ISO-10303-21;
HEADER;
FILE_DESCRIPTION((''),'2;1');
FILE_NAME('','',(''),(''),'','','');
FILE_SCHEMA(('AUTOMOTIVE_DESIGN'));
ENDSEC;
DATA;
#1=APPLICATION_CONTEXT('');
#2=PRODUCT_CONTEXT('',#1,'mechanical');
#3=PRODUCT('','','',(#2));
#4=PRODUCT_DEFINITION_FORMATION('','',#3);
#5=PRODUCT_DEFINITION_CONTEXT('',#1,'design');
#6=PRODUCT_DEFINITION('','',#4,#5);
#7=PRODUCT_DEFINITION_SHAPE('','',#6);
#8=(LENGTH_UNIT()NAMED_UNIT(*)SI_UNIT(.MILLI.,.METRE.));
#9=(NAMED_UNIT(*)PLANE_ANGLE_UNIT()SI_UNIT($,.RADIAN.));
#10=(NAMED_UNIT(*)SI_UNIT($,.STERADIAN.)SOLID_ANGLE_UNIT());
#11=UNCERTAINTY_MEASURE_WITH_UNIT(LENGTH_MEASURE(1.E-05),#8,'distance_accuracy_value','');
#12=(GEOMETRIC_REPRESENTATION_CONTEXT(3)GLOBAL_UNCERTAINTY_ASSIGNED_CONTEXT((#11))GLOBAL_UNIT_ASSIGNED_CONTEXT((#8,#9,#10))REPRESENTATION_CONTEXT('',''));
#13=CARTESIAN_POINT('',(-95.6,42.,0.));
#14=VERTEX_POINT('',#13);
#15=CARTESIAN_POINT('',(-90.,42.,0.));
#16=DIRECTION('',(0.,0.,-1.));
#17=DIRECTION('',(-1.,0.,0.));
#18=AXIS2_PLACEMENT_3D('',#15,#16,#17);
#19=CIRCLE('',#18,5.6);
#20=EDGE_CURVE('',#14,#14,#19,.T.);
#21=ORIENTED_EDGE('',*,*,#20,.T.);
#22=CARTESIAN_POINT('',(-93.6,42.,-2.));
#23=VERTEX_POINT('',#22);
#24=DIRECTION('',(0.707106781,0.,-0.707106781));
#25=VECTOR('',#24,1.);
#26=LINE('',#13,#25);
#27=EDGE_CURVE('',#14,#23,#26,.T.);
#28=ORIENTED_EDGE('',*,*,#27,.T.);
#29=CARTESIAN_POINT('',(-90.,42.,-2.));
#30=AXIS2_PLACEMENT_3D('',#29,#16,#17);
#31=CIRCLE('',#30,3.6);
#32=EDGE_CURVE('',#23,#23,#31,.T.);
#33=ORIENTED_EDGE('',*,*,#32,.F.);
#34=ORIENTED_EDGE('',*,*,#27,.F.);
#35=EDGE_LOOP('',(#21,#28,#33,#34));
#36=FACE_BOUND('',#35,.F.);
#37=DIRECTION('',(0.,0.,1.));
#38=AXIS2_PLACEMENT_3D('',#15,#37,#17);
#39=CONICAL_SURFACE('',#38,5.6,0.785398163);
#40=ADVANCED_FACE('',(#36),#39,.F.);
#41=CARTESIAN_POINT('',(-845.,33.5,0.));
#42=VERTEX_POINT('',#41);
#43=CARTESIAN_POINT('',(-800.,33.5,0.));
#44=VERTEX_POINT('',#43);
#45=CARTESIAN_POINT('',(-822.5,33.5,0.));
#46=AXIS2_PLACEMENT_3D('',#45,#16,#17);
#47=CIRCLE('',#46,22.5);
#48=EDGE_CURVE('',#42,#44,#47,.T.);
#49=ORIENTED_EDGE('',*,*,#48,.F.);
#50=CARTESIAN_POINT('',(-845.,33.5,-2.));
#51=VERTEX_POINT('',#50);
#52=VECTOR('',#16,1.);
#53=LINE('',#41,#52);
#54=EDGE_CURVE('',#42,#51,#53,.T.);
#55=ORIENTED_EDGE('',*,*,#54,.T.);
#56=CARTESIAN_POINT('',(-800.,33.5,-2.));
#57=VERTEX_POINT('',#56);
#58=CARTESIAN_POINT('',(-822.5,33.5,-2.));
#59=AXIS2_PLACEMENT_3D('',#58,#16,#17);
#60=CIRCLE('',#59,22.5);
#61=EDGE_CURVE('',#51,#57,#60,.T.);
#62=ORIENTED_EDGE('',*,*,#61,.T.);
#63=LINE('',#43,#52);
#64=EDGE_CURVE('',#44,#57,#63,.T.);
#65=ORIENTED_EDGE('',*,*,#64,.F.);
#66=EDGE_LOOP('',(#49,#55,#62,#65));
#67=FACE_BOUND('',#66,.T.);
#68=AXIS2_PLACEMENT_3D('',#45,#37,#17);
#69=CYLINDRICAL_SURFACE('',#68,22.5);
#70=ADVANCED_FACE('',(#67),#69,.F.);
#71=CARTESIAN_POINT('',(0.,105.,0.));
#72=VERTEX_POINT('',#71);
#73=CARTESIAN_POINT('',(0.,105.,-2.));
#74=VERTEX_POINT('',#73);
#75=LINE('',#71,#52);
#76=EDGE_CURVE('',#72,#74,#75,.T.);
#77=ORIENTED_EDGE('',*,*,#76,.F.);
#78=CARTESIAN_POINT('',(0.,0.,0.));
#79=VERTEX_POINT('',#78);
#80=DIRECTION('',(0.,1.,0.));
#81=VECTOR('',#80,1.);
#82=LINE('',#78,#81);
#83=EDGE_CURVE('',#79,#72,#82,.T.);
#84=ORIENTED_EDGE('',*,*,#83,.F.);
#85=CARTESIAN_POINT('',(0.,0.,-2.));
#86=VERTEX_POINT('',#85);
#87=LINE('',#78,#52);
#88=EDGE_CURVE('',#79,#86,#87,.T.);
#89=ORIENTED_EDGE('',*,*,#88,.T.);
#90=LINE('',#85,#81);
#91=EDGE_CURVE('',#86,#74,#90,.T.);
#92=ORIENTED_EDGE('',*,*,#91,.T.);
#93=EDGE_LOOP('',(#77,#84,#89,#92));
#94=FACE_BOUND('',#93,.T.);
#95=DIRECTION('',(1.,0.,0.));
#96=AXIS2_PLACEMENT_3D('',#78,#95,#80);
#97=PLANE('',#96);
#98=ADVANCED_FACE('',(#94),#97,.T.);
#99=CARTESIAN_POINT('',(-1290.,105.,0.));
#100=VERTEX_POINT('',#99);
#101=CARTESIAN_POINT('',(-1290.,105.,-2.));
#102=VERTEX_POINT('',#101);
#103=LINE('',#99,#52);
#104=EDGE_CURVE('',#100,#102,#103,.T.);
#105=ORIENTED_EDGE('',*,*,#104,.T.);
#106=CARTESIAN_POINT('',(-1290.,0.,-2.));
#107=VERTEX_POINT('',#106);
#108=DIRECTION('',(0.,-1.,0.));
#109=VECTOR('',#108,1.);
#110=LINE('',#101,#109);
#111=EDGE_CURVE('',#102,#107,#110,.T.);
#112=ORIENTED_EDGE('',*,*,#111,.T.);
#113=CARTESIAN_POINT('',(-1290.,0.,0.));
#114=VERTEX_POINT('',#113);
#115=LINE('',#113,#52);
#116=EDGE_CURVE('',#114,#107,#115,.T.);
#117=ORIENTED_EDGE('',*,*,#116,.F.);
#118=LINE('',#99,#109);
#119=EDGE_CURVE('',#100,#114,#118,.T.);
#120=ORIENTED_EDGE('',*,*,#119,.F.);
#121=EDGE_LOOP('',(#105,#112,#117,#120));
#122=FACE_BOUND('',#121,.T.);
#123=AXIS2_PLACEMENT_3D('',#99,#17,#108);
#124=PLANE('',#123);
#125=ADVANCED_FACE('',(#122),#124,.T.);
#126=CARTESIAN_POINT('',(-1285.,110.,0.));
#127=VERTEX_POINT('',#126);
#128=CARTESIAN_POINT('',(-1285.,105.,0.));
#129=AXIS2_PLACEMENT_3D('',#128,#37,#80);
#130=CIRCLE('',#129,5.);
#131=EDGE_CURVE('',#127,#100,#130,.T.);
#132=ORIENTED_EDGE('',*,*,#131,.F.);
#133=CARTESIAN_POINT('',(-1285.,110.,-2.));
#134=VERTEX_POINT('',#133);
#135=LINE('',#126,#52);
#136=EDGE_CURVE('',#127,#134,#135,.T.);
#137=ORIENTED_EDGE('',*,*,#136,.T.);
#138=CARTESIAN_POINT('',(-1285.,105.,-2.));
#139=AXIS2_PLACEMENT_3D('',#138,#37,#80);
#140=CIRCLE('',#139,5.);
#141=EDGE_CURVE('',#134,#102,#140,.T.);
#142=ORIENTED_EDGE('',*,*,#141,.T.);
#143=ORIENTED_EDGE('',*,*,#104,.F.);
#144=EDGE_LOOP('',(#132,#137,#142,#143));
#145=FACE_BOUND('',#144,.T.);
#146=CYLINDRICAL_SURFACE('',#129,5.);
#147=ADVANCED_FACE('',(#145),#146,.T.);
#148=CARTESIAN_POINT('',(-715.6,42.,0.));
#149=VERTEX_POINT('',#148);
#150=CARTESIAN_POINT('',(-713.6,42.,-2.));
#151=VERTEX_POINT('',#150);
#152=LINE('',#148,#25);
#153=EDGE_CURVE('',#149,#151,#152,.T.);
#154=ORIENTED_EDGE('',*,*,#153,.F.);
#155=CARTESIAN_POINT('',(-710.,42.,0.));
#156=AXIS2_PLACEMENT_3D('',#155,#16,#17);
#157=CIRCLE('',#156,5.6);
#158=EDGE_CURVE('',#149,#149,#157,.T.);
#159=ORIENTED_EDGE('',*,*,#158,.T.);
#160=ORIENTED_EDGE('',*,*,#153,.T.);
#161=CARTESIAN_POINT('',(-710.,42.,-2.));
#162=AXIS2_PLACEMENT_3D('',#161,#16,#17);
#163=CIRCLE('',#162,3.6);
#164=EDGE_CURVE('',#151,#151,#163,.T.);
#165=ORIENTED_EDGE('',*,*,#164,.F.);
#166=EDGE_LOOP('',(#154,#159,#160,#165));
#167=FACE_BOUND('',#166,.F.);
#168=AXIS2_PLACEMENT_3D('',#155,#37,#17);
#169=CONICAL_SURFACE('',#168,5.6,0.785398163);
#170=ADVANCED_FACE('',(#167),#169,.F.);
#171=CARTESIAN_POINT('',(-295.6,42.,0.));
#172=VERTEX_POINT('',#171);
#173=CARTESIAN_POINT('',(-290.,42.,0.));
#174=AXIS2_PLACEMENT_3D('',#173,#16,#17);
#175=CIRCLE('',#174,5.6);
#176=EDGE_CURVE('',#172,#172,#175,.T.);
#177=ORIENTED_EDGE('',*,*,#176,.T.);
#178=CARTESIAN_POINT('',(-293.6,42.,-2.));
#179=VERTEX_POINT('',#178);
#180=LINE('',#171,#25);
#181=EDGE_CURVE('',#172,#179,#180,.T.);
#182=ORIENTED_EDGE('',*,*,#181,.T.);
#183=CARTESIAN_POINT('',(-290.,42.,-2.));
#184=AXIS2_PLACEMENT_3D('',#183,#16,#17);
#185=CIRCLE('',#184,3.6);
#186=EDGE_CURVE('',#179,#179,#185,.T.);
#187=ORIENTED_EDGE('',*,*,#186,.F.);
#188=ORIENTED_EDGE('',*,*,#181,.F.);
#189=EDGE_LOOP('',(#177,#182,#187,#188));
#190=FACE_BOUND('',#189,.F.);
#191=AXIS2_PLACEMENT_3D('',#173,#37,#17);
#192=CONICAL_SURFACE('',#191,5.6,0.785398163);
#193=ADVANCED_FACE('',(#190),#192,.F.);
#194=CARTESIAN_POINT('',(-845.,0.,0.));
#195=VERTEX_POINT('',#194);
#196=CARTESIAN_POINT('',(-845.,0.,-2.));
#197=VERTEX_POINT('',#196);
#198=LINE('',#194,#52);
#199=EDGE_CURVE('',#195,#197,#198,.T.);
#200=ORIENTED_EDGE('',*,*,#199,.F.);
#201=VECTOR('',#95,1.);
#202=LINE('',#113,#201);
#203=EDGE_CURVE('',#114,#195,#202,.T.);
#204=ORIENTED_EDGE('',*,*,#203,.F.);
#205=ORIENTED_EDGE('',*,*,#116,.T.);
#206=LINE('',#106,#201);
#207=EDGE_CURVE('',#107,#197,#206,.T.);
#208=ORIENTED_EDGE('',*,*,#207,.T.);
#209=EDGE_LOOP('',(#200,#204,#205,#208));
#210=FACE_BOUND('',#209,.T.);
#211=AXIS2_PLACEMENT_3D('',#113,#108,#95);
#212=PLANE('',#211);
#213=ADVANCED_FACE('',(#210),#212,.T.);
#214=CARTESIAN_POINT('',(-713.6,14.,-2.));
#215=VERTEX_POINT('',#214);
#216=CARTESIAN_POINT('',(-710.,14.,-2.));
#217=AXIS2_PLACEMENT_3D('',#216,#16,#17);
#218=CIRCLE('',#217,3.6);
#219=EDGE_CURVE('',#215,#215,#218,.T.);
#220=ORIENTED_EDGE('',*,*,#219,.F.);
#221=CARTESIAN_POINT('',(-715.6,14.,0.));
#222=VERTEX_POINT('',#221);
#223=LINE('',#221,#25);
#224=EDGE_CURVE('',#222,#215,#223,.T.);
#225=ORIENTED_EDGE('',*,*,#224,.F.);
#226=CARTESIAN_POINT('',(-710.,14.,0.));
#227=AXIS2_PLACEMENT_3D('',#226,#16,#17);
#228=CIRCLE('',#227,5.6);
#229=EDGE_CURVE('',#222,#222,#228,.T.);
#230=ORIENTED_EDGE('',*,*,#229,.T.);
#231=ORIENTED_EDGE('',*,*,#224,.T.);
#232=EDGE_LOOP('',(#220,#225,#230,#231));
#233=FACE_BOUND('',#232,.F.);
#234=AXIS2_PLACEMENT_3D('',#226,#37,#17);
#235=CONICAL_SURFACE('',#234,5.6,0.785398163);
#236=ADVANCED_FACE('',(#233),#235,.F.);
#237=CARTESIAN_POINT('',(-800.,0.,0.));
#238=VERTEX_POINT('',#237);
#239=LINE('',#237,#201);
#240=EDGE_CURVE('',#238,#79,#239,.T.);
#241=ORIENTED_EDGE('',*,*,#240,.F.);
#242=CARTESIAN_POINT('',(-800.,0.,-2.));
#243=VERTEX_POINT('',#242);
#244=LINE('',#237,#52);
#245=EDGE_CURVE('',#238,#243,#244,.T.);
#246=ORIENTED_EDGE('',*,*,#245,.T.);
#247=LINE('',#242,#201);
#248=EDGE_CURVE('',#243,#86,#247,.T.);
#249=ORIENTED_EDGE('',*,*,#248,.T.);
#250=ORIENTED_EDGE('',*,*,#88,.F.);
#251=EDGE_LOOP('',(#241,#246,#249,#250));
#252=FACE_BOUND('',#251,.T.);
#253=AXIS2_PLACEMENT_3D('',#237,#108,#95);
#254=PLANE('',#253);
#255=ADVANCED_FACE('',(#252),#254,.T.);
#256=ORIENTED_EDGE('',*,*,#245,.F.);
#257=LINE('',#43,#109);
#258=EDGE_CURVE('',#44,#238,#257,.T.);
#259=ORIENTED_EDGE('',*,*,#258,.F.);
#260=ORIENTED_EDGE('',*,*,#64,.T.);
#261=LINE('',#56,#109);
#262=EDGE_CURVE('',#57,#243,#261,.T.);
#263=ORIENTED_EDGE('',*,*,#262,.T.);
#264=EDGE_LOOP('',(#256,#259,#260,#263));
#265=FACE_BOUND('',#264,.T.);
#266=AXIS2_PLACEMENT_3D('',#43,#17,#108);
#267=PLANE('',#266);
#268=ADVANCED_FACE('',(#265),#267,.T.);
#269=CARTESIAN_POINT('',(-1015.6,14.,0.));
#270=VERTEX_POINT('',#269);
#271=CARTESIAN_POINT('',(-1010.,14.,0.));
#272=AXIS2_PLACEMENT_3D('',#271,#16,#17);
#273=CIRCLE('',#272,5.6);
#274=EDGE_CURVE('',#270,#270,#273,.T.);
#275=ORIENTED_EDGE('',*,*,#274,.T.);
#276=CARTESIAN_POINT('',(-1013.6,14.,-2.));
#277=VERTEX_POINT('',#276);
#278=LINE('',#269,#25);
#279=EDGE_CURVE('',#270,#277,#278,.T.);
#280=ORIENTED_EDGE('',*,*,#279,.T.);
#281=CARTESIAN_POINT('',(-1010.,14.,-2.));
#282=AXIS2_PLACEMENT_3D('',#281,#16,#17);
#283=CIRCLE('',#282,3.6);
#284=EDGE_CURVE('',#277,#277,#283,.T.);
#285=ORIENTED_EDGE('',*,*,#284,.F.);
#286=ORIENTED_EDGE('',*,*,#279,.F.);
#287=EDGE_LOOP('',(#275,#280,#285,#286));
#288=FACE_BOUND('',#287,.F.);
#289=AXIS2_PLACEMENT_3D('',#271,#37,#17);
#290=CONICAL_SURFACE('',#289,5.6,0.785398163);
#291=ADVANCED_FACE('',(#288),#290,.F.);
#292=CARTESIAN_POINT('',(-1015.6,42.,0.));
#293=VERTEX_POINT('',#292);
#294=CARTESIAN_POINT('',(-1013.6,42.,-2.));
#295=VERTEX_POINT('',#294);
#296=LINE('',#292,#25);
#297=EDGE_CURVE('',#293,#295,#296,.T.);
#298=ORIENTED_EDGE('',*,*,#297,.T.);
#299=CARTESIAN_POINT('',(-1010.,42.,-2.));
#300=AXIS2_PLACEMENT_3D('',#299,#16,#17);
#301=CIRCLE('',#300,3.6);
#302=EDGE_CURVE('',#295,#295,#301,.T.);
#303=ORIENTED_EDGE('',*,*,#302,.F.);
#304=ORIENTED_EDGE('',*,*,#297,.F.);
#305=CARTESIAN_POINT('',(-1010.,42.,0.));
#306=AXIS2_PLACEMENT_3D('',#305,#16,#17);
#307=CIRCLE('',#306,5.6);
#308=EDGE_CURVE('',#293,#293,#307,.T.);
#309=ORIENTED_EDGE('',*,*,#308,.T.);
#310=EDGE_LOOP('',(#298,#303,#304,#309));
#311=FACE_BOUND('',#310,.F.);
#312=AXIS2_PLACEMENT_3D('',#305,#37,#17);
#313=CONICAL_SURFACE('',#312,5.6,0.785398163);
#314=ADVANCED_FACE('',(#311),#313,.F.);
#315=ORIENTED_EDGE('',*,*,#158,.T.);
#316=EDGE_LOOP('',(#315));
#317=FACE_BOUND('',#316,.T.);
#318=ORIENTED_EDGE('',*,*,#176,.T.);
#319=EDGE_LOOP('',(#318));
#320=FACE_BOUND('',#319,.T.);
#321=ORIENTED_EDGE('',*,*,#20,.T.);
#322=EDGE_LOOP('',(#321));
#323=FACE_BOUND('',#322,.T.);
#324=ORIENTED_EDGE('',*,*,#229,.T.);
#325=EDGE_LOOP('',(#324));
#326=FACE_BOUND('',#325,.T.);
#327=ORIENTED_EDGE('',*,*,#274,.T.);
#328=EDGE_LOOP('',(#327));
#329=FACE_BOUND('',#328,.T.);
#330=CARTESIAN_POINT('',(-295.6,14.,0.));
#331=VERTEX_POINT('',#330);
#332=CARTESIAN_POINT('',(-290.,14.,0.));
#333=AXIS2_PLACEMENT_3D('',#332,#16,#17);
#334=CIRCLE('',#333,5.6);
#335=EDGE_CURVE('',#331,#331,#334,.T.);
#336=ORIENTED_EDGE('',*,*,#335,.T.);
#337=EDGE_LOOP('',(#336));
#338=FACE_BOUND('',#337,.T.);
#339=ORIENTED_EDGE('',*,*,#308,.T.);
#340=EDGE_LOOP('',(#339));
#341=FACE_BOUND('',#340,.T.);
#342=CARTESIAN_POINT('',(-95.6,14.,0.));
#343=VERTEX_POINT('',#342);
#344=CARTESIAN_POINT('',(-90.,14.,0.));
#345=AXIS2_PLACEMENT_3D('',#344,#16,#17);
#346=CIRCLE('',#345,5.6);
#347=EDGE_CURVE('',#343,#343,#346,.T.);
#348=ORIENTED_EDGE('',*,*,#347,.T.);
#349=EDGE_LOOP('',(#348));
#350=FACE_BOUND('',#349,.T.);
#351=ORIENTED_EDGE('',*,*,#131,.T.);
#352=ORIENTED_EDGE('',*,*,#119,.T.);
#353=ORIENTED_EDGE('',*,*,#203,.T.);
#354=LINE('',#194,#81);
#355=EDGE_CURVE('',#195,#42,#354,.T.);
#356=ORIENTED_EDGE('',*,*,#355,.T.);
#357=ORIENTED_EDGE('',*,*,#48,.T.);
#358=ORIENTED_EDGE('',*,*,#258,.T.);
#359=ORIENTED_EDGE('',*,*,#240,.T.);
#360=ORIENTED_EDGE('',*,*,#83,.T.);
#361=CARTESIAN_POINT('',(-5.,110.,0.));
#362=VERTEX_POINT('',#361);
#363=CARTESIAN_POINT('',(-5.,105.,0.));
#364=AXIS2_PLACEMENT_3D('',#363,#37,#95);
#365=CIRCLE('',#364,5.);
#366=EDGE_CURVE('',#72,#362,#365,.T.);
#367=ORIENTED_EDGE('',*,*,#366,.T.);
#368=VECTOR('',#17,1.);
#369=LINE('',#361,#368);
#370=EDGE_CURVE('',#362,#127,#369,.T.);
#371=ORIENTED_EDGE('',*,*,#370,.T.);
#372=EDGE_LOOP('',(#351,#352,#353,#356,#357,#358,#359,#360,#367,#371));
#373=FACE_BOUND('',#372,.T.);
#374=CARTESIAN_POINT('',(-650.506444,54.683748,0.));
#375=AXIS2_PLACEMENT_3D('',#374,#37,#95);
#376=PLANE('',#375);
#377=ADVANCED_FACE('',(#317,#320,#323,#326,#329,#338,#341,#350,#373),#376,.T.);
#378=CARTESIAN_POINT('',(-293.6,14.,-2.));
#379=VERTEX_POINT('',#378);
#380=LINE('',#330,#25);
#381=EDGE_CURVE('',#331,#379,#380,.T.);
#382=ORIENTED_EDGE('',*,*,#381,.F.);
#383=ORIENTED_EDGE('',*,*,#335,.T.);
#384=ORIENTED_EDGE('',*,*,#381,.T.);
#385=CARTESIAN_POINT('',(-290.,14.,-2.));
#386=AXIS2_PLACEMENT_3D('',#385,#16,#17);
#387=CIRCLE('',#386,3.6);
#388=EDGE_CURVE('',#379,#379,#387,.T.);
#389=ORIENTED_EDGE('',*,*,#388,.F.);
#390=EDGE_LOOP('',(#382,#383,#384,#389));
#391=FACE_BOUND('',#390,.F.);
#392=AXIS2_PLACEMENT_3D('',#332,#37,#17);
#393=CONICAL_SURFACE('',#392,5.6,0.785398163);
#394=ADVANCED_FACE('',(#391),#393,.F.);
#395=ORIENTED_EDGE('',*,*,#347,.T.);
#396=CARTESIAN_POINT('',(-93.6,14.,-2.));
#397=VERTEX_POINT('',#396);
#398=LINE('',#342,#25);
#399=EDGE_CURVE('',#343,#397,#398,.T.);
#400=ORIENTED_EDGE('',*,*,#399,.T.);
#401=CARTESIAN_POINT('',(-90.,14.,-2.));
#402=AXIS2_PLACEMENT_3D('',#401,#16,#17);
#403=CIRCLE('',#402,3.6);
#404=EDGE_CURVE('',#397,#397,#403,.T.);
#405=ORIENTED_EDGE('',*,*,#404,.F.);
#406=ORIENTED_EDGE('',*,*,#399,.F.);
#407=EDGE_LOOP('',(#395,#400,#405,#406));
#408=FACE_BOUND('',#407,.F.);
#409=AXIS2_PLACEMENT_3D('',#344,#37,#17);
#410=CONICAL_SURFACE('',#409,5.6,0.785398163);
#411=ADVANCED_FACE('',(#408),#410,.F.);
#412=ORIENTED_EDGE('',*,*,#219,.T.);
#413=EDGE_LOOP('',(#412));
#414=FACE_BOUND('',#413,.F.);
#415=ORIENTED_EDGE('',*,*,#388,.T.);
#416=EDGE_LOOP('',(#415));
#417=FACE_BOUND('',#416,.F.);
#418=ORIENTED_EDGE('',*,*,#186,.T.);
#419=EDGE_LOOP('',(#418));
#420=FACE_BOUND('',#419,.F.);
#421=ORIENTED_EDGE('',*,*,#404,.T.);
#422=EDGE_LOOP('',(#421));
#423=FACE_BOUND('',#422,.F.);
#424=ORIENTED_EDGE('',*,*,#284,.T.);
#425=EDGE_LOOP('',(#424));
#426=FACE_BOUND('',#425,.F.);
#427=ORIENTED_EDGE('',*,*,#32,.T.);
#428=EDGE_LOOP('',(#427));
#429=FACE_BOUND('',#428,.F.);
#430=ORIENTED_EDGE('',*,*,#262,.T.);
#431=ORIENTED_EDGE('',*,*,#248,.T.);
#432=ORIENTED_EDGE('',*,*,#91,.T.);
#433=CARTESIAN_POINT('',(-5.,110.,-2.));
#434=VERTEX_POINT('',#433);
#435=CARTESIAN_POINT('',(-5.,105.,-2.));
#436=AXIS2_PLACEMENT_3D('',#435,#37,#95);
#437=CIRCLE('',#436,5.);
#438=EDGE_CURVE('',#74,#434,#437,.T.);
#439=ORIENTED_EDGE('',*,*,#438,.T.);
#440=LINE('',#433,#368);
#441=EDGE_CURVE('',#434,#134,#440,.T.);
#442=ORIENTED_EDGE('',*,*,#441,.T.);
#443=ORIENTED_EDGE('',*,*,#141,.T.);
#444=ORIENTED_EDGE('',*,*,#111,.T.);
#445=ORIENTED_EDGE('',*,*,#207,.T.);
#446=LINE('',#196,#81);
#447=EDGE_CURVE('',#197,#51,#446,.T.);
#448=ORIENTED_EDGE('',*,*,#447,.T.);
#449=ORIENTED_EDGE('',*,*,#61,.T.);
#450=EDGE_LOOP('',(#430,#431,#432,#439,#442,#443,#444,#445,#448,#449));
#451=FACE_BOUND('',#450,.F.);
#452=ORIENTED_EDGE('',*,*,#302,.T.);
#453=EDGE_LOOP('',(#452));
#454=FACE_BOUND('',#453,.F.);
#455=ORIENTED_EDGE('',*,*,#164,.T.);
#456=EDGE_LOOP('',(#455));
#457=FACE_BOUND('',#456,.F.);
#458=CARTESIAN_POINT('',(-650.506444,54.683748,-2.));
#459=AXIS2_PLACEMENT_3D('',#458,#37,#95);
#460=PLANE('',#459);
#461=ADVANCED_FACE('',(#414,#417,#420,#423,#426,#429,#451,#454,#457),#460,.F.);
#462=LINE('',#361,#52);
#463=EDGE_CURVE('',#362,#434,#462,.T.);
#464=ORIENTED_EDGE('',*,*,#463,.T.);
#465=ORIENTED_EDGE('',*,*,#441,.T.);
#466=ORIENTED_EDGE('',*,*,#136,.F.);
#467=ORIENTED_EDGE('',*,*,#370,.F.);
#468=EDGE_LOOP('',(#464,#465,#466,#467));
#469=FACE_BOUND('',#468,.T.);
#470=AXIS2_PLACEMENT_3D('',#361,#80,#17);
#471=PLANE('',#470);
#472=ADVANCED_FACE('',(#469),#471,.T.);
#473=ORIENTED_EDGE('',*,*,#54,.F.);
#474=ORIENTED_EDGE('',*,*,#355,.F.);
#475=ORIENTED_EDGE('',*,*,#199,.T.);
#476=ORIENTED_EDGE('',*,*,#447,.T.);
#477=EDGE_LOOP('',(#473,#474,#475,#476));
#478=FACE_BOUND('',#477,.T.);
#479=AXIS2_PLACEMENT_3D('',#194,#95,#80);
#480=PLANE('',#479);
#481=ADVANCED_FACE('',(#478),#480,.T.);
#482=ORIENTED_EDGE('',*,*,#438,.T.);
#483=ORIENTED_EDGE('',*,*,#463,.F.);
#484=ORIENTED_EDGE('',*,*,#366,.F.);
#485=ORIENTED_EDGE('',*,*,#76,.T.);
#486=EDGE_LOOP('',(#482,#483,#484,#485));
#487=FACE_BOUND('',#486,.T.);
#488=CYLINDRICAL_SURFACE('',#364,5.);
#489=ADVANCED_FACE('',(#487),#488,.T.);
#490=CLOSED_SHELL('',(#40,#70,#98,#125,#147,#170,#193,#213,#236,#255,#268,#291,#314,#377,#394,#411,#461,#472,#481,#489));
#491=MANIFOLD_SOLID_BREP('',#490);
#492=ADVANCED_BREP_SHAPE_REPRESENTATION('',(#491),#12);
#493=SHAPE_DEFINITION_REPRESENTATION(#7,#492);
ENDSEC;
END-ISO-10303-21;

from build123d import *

# Parameters (mm, degrees)
F1_DEPTH       = 2
F2_D           = 5.5
F2_CSINK_D     = 11.2
F2_CSINK_ANGLE = 90


with BuildPart() as f1:
    # F0 (on Top) → F1 (new body)
    with BuildSketch(Plane.XY):
        with BuildLine():
            Line((-800, 0), (0, 0))
            Line((0, 0), (0, 105))
            ThreePointArc((0, 105), (-1.4644660941, 108.5355339059), (-5, 110))
            Line((-5, 110), (-1285, 110))
            ThreePointArc((-1285, 110), (-1288.5355339059, 108.5355339059), (-1290, 105))
            Line((-1290, 105), (-1290, 0))
            Line((-1290, 0), (-845, 0))
            Line((-845, 0), (-845, 33.5))
            ThreePointArc((-845, 33.5), (-822.5, 56), (-800, 33.5))
            Line((-800, 33.5), (-800, 0))
        make_face()
    extrude(amount=-F1_DEPTH)

    # F2 (through all)
    with Locations(Plane.XY):
        with Locations((-1010, 42), (-1010, 14), (-710, 42), (-710, 14), (-290, 42), (-290, 14), (-90, 42), (-90, 14)):
            CounterSinkHole(F2_D / 2, F2_CSINK_D / 2, counter_sink_angle=F2_CSINK_ANGLE)


solid = f1.part
